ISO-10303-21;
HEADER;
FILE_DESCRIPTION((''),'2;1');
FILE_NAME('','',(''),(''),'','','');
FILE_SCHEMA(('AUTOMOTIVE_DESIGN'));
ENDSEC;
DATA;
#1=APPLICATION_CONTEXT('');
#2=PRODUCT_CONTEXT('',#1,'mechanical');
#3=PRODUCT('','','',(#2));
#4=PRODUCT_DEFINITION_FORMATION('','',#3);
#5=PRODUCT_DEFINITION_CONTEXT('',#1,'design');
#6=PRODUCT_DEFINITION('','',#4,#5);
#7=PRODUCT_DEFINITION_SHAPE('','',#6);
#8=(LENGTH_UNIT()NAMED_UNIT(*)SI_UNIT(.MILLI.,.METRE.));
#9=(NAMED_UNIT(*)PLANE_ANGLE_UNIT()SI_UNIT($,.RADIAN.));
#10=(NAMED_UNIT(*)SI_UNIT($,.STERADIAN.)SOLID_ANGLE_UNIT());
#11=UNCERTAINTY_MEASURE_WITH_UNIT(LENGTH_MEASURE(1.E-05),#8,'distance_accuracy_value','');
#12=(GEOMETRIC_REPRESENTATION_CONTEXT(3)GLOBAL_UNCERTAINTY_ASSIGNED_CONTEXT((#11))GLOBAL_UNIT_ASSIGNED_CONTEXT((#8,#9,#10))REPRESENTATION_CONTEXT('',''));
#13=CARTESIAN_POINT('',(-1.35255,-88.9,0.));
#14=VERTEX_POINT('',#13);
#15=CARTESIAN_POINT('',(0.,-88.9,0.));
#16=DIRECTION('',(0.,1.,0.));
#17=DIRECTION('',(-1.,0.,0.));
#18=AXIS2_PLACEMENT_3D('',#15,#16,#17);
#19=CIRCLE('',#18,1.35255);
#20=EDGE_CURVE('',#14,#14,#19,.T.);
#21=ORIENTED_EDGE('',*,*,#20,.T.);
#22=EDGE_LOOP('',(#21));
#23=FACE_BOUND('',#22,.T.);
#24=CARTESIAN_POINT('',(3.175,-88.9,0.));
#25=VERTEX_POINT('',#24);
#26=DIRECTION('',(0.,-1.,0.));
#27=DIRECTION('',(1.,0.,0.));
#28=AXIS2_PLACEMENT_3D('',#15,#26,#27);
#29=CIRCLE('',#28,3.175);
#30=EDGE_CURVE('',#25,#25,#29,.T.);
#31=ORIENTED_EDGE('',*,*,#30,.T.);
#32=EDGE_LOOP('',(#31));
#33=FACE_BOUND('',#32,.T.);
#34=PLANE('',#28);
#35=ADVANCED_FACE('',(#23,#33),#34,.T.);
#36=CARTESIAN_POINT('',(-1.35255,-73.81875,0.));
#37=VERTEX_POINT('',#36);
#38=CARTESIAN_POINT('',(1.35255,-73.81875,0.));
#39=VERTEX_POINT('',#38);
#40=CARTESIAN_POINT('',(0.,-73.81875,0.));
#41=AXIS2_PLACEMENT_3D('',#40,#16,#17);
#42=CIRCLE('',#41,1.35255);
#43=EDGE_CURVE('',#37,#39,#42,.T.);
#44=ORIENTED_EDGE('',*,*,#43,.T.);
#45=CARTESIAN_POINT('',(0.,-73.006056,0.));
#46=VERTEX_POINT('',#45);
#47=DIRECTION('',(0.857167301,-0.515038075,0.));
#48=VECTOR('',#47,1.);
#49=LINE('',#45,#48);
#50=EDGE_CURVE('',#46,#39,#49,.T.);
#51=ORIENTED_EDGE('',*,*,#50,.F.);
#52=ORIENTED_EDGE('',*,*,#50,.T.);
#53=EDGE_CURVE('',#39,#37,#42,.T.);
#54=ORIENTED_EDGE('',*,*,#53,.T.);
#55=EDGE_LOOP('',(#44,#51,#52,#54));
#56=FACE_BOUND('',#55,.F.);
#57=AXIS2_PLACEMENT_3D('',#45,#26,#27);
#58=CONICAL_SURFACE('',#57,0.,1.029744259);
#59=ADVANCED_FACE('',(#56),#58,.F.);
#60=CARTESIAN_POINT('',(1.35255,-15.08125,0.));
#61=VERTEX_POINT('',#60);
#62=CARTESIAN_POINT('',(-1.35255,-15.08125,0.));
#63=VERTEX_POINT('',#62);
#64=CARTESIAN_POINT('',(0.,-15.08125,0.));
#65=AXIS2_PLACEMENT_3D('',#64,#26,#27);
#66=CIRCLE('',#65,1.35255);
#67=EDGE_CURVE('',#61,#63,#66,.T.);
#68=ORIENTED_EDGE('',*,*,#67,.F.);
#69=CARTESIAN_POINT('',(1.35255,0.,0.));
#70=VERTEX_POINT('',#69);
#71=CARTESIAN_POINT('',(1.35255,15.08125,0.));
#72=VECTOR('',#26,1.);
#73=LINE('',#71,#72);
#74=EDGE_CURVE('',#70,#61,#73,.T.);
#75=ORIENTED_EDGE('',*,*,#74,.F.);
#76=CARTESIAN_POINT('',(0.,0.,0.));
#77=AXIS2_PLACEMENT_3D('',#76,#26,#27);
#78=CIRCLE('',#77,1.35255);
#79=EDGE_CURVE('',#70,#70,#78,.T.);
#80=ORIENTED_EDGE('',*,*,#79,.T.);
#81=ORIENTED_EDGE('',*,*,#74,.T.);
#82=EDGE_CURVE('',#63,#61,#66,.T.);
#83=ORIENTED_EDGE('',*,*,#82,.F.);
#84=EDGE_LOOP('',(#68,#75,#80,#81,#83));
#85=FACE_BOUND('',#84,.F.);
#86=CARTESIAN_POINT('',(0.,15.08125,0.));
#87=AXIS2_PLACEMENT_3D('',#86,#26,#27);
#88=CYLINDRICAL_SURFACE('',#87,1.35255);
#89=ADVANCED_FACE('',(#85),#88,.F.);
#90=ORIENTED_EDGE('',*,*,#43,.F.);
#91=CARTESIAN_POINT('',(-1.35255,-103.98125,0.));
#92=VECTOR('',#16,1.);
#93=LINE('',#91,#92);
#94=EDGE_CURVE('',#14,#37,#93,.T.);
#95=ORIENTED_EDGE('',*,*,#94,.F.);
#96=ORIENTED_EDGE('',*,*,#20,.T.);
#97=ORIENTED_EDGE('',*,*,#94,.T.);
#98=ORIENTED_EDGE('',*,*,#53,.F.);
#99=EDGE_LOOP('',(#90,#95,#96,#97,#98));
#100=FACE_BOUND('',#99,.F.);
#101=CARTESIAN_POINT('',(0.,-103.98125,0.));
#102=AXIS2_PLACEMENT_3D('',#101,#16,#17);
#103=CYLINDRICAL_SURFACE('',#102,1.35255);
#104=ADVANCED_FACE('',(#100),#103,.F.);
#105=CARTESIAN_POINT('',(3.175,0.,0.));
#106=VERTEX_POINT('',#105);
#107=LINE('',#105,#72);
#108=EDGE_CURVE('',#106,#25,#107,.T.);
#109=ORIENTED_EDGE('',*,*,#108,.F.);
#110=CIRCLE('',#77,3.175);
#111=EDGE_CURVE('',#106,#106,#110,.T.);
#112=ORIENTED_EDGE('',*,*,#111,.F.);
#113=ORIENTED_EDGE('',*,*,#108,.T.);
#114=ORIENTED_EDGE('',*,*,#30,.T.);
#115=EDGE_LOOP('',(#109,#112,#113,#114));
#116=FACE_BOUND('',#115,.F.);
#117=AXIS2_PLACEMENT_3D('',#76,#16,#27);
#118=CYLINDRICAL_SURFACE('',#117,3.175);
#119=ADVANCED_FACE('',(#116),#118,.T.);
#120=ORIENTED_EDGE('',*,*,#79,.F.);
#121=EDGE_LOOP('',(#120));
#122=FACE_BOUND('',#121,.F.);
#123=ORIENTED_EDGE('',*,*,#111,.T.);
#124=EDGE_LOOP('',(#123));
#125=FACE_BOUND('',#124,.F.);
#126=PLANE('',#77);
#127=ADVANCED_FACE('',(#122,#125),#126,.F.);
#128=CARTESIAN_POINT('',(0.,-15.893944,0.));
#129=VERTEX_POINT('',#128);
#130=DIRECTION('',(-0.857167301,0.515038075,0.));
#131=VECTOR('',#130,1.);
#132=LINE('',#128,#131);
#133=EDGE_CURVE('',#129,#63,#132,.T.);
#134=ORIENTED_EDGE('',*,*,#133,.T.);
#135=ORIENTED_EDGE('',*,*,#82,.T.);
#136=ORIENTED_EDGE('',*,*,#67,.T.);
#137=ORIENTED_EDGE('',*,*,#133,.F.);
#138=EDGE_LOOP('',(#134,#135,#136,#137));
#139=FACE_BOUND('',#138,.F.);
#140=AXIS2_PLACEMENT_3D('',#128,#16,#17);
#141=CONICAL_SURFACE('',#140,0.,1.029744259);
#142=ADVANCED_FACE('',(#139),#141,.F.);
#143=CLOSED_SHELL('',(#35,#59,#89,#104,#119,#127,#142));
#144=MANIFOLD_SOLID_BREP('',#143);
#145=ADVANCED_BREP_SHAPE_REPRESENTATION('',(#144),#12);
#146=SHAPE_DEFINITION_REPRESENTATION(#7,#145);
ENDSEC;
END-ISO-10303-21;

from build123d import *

# Parameters (mm, degrees)
F0_R           = 3.175
F1_DEPTH       = 88.9
F4_D           = 2.7051
F4_DEPTH       = 15.08125
F4_TIP         = 0.8126940303
F4_ON_F2_D     = 2.7051
F4_ON_F2_DEPTH = 15.08125
F4_ON_F2_TIP   = 0.8126940303


with BuildPart() as f1:
    # F0 (on Front) → F1 (new body)
    with BuildSketch(Plane.XZ):
        Circle(F0_R)
    extrude(amount=F1_DEPTH)

    # F4
    with Locations(Plane(origin=(0, 0, 0), x_dir=(-1, 0, 0), z_dir=(0, 1, 0))):
        with Locations((0, 0)):
            Hole(F4_D / 2, depth=F4_DEPTH)
            with Locations((0, 0, -(F4_DEPTH + F4_TIP / 2))):  # 118° drill point
                Cone(0, F4_D / 2, F4_TIP, mode=Mode.SUBTRACT)

    # F4 on F2
    with Locations(Plane.XZ.offset(88.9)):
        with Locations((0, 0)):
            Hole(F4_ON_F2_D / 2, depth=F4_ON_F2_DEPTH)
            with Locations((0, 0, -(F4_ON_F2_DEPTH + F4_ON_F2_TIP / 2))):  # 118° drill point
                Cone(0, F4_ON_F2_D / 2, F4_ON_F2_TIP, mode=Mode.SUBTRACT)


solid = f1.part
